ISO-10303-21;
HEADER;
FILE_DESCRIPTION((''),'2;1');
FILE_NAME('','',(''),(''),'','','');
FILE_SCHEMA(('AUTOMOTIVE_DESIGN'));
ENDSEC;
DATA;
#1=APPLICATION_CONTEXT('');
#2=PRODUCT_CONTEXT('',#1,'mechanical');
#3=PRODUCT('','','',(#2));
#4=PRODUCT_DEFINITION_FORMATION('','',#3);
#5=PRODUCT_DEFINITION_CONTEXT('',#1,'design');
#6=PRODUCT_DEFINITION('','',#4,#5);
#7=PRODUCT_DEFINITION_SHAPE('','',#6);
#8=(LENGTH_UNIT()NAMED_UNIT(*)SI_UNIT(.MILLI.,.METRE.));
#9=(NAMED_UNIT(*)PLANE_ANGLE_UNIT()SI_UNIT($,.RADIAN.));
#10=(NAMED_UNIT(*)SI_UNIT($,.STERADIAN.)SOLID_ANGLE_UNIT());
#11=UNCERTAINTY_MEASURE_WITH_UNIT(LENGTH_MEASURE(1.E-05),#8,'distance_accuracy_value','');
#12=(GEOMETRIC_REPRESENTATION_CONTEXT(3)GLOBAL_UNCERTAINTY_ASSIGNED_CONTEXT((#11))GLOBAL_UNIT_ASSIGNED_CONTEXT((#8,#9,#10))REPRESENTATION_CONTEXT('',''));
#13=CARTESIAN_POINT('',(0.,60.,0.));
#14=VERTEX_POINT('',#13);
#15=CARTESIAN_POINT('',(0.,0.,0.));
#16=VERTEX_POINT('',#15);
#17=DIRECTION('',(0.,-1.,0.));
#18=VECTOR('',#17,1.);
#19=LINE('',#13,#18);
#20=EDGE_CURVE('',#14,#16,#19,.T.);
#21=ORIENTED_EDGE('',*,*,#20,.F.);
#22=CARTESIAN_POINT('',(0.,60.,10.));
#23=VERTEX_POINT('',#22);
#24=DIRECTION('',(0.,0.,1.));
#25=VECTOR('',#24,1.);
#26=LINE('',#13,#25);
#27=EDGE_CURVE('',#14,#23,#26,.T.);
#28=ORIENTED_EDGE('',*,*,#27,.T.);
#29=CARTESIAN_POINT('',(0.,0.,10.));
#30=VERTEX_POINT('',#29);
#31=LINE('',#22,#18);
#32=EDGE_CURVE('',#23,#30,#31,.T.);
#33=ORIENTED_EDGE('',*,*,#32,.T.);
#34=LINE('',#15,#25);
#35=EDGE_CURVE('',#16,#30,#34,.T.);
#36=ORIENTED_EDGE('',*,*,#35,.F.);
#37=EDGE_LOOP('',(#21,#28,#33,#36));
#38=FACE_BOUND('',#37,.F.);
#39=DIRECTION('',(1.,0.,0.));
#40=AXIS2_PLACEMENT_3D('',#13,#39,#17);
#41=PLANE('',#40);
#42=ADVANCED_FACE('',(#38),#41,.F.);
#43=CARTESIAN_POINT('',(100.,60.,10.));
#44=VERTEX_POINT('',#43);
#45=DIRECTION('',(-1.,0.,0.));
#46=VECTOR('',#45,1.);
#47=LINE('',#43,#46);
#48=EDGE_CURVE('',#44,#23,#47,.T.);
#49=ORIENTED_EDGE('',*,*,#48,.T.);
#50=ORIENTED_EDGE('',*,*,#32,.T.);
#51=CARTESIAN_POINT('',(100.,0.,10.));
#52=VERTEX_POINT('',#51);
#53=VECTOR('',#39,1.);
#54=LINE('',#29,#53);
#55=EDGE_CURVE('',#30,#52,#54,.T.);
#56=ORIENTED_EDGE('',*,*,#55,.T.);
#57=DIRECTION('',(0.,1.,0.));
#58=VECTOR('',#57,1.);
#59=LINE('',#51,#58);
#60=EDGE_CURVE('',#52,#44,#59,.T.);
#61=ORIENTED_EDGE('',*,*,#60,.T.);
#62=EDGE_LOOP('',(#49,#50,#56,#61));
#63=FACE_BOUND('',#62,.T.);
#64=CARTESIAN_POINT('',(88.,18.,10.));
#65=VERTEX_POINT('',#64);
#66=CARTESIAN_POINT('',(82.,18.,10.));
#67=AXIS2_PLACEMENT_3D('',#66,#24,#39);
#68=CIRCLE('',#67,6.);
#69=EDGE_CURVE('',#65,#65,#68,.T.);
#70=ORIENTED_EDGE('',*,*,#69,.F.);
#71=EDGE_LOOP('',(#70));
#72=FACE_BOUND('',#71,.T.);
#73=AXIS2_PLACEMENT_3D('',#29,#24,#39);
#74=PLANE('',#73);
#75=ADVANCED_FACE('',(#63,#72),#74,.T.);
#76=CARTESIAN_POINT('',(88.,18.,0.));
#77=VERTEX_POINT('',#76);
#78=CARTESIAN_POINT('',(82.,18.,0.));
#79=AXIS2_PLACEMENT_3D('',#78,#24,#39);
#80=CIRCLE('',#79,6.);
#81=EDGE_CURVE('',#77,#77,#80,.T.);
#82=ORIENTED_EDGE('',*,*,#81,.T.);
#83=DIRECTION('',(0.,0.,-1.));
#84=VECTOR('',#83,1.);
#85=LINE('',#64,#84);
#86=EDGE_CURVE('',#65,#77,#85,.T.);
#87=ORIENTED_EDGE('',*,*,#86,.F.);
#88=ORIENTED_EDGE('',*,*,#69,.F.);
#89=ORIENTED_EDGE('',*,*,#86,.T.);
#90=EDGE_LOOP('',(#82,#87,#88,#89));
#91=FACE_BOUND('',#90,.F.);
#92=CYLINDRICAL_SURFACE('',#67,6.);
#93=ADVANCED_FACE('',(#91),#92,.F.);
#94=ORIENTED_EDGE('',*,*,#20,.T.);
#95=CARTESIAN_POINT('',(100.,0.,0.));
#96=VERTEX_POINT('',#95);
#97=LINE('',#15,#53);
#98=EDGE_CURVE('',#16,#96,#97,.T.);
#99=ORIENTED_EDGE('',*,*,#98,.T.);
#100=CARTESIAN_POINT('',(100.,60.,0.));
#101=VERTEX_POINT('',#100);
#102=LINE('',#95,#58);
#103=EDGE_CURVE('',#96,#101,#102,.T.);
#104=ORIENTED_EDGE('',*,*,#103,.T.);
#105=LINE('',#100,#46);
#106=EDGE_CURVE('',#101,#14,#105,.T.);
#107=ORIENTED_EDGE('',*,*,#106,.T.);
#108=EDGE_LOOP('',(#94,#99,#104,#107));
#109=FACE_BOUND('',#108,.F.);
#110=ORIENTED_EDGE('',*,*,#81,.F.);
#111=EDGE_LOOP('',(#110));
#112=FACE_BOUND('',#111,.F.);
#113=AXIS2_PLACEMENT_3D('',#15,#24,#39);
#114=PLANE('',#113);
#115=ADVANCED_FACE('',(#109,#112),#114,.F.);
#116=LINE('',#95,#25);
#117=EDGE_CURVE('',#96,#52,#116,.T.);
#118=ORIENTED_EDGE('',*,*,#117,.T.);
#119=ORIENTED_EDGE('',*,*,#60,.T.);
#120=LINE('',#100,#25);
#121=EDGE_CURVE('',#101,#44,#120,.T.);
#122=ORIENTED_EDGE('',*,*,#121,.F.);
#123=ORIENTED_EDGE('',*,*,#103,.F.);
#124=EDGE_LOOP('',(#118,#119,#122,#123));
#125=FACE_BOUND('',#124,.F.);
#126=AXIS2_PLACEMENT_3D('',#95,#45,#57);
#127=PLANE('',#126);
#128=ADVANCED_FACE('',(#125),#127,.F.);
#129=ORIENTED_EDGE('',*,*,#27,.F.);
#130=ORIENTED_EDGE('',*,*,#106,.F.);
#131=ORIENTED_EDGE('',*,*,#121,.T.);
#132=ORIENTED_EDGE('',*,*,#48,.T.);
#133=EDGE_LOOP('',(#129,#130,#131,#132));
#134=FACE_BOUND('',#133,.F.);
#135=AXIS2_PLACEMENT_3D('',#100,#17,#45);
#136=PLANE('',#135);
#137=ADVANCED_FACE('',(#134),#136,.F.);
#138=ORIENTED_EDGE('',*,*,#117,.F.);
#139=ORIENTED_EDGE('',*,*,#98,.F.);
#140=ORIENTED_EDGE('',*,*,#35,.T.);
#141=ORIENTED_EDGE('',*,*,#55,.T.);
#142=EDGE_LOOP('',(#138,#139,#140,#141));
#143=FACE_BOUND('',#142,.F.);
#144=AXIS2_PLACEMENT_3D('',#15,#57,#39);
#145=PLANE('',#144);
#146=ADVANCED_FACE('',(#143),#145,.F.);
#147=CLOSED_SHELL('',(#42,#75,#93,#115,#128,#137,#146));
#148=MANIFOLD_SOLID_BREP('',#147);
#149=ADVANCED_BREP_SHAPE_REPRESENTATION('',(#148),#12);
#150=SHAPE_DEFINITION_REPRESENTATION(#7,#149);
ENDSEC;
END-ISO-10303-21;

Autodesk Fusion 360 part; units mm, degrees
sketch "sketch_base_outline" plane through (0, 0, 0) normal (0, 0, 1) x (1, 0, 0)
  line L0 (0, 0) -> (100, 0)
  line L1 (100, 0) -> (100, 60)
  line L2 (100, 60) -> (0, 60)
  line L3 (0, 60) -> (0, 0)
extrude "Extrude1" add sketch "sketch_base_outline" along normal blind 10
sketch "sketch_inner_pocket" plane through (0, 0, 10) normal (0, 0, 1) x (1, 0, 0)
  line L0 (0, 60) -> (0, 0)
  line L1 (0, 0) -> (100, 0)
  line L2 (100, 0) -> (100, 60)
  line L3 (100, 60) -> (0, 60)
  line L4 (25, 15) -> (75, 15)
  line L5 (75, 15) -> (75, 45)
  line L6 (75, 45) -> (25, 45)
  line L7 (25, 45) -> (25, 15)
sketch "sketch_bore_hole" plane through (0, 0, 10) normal (0, 0, 1) x (1, 0, 0)
  line L0 (0, 60) -> (0, 0)
  line L1 (0, 0) -> (100, 0)
  line L2 (100, 0) -> (100, 60)
  line L3 (100, 60) -> (0, 60)
  circle A0 centre (82, 18) radius 6
extrude "bore_hole" cut sketch "sketch_bore_hole" against normal blind 10 contours A0
equation "d3 = -( 10 mm )"
